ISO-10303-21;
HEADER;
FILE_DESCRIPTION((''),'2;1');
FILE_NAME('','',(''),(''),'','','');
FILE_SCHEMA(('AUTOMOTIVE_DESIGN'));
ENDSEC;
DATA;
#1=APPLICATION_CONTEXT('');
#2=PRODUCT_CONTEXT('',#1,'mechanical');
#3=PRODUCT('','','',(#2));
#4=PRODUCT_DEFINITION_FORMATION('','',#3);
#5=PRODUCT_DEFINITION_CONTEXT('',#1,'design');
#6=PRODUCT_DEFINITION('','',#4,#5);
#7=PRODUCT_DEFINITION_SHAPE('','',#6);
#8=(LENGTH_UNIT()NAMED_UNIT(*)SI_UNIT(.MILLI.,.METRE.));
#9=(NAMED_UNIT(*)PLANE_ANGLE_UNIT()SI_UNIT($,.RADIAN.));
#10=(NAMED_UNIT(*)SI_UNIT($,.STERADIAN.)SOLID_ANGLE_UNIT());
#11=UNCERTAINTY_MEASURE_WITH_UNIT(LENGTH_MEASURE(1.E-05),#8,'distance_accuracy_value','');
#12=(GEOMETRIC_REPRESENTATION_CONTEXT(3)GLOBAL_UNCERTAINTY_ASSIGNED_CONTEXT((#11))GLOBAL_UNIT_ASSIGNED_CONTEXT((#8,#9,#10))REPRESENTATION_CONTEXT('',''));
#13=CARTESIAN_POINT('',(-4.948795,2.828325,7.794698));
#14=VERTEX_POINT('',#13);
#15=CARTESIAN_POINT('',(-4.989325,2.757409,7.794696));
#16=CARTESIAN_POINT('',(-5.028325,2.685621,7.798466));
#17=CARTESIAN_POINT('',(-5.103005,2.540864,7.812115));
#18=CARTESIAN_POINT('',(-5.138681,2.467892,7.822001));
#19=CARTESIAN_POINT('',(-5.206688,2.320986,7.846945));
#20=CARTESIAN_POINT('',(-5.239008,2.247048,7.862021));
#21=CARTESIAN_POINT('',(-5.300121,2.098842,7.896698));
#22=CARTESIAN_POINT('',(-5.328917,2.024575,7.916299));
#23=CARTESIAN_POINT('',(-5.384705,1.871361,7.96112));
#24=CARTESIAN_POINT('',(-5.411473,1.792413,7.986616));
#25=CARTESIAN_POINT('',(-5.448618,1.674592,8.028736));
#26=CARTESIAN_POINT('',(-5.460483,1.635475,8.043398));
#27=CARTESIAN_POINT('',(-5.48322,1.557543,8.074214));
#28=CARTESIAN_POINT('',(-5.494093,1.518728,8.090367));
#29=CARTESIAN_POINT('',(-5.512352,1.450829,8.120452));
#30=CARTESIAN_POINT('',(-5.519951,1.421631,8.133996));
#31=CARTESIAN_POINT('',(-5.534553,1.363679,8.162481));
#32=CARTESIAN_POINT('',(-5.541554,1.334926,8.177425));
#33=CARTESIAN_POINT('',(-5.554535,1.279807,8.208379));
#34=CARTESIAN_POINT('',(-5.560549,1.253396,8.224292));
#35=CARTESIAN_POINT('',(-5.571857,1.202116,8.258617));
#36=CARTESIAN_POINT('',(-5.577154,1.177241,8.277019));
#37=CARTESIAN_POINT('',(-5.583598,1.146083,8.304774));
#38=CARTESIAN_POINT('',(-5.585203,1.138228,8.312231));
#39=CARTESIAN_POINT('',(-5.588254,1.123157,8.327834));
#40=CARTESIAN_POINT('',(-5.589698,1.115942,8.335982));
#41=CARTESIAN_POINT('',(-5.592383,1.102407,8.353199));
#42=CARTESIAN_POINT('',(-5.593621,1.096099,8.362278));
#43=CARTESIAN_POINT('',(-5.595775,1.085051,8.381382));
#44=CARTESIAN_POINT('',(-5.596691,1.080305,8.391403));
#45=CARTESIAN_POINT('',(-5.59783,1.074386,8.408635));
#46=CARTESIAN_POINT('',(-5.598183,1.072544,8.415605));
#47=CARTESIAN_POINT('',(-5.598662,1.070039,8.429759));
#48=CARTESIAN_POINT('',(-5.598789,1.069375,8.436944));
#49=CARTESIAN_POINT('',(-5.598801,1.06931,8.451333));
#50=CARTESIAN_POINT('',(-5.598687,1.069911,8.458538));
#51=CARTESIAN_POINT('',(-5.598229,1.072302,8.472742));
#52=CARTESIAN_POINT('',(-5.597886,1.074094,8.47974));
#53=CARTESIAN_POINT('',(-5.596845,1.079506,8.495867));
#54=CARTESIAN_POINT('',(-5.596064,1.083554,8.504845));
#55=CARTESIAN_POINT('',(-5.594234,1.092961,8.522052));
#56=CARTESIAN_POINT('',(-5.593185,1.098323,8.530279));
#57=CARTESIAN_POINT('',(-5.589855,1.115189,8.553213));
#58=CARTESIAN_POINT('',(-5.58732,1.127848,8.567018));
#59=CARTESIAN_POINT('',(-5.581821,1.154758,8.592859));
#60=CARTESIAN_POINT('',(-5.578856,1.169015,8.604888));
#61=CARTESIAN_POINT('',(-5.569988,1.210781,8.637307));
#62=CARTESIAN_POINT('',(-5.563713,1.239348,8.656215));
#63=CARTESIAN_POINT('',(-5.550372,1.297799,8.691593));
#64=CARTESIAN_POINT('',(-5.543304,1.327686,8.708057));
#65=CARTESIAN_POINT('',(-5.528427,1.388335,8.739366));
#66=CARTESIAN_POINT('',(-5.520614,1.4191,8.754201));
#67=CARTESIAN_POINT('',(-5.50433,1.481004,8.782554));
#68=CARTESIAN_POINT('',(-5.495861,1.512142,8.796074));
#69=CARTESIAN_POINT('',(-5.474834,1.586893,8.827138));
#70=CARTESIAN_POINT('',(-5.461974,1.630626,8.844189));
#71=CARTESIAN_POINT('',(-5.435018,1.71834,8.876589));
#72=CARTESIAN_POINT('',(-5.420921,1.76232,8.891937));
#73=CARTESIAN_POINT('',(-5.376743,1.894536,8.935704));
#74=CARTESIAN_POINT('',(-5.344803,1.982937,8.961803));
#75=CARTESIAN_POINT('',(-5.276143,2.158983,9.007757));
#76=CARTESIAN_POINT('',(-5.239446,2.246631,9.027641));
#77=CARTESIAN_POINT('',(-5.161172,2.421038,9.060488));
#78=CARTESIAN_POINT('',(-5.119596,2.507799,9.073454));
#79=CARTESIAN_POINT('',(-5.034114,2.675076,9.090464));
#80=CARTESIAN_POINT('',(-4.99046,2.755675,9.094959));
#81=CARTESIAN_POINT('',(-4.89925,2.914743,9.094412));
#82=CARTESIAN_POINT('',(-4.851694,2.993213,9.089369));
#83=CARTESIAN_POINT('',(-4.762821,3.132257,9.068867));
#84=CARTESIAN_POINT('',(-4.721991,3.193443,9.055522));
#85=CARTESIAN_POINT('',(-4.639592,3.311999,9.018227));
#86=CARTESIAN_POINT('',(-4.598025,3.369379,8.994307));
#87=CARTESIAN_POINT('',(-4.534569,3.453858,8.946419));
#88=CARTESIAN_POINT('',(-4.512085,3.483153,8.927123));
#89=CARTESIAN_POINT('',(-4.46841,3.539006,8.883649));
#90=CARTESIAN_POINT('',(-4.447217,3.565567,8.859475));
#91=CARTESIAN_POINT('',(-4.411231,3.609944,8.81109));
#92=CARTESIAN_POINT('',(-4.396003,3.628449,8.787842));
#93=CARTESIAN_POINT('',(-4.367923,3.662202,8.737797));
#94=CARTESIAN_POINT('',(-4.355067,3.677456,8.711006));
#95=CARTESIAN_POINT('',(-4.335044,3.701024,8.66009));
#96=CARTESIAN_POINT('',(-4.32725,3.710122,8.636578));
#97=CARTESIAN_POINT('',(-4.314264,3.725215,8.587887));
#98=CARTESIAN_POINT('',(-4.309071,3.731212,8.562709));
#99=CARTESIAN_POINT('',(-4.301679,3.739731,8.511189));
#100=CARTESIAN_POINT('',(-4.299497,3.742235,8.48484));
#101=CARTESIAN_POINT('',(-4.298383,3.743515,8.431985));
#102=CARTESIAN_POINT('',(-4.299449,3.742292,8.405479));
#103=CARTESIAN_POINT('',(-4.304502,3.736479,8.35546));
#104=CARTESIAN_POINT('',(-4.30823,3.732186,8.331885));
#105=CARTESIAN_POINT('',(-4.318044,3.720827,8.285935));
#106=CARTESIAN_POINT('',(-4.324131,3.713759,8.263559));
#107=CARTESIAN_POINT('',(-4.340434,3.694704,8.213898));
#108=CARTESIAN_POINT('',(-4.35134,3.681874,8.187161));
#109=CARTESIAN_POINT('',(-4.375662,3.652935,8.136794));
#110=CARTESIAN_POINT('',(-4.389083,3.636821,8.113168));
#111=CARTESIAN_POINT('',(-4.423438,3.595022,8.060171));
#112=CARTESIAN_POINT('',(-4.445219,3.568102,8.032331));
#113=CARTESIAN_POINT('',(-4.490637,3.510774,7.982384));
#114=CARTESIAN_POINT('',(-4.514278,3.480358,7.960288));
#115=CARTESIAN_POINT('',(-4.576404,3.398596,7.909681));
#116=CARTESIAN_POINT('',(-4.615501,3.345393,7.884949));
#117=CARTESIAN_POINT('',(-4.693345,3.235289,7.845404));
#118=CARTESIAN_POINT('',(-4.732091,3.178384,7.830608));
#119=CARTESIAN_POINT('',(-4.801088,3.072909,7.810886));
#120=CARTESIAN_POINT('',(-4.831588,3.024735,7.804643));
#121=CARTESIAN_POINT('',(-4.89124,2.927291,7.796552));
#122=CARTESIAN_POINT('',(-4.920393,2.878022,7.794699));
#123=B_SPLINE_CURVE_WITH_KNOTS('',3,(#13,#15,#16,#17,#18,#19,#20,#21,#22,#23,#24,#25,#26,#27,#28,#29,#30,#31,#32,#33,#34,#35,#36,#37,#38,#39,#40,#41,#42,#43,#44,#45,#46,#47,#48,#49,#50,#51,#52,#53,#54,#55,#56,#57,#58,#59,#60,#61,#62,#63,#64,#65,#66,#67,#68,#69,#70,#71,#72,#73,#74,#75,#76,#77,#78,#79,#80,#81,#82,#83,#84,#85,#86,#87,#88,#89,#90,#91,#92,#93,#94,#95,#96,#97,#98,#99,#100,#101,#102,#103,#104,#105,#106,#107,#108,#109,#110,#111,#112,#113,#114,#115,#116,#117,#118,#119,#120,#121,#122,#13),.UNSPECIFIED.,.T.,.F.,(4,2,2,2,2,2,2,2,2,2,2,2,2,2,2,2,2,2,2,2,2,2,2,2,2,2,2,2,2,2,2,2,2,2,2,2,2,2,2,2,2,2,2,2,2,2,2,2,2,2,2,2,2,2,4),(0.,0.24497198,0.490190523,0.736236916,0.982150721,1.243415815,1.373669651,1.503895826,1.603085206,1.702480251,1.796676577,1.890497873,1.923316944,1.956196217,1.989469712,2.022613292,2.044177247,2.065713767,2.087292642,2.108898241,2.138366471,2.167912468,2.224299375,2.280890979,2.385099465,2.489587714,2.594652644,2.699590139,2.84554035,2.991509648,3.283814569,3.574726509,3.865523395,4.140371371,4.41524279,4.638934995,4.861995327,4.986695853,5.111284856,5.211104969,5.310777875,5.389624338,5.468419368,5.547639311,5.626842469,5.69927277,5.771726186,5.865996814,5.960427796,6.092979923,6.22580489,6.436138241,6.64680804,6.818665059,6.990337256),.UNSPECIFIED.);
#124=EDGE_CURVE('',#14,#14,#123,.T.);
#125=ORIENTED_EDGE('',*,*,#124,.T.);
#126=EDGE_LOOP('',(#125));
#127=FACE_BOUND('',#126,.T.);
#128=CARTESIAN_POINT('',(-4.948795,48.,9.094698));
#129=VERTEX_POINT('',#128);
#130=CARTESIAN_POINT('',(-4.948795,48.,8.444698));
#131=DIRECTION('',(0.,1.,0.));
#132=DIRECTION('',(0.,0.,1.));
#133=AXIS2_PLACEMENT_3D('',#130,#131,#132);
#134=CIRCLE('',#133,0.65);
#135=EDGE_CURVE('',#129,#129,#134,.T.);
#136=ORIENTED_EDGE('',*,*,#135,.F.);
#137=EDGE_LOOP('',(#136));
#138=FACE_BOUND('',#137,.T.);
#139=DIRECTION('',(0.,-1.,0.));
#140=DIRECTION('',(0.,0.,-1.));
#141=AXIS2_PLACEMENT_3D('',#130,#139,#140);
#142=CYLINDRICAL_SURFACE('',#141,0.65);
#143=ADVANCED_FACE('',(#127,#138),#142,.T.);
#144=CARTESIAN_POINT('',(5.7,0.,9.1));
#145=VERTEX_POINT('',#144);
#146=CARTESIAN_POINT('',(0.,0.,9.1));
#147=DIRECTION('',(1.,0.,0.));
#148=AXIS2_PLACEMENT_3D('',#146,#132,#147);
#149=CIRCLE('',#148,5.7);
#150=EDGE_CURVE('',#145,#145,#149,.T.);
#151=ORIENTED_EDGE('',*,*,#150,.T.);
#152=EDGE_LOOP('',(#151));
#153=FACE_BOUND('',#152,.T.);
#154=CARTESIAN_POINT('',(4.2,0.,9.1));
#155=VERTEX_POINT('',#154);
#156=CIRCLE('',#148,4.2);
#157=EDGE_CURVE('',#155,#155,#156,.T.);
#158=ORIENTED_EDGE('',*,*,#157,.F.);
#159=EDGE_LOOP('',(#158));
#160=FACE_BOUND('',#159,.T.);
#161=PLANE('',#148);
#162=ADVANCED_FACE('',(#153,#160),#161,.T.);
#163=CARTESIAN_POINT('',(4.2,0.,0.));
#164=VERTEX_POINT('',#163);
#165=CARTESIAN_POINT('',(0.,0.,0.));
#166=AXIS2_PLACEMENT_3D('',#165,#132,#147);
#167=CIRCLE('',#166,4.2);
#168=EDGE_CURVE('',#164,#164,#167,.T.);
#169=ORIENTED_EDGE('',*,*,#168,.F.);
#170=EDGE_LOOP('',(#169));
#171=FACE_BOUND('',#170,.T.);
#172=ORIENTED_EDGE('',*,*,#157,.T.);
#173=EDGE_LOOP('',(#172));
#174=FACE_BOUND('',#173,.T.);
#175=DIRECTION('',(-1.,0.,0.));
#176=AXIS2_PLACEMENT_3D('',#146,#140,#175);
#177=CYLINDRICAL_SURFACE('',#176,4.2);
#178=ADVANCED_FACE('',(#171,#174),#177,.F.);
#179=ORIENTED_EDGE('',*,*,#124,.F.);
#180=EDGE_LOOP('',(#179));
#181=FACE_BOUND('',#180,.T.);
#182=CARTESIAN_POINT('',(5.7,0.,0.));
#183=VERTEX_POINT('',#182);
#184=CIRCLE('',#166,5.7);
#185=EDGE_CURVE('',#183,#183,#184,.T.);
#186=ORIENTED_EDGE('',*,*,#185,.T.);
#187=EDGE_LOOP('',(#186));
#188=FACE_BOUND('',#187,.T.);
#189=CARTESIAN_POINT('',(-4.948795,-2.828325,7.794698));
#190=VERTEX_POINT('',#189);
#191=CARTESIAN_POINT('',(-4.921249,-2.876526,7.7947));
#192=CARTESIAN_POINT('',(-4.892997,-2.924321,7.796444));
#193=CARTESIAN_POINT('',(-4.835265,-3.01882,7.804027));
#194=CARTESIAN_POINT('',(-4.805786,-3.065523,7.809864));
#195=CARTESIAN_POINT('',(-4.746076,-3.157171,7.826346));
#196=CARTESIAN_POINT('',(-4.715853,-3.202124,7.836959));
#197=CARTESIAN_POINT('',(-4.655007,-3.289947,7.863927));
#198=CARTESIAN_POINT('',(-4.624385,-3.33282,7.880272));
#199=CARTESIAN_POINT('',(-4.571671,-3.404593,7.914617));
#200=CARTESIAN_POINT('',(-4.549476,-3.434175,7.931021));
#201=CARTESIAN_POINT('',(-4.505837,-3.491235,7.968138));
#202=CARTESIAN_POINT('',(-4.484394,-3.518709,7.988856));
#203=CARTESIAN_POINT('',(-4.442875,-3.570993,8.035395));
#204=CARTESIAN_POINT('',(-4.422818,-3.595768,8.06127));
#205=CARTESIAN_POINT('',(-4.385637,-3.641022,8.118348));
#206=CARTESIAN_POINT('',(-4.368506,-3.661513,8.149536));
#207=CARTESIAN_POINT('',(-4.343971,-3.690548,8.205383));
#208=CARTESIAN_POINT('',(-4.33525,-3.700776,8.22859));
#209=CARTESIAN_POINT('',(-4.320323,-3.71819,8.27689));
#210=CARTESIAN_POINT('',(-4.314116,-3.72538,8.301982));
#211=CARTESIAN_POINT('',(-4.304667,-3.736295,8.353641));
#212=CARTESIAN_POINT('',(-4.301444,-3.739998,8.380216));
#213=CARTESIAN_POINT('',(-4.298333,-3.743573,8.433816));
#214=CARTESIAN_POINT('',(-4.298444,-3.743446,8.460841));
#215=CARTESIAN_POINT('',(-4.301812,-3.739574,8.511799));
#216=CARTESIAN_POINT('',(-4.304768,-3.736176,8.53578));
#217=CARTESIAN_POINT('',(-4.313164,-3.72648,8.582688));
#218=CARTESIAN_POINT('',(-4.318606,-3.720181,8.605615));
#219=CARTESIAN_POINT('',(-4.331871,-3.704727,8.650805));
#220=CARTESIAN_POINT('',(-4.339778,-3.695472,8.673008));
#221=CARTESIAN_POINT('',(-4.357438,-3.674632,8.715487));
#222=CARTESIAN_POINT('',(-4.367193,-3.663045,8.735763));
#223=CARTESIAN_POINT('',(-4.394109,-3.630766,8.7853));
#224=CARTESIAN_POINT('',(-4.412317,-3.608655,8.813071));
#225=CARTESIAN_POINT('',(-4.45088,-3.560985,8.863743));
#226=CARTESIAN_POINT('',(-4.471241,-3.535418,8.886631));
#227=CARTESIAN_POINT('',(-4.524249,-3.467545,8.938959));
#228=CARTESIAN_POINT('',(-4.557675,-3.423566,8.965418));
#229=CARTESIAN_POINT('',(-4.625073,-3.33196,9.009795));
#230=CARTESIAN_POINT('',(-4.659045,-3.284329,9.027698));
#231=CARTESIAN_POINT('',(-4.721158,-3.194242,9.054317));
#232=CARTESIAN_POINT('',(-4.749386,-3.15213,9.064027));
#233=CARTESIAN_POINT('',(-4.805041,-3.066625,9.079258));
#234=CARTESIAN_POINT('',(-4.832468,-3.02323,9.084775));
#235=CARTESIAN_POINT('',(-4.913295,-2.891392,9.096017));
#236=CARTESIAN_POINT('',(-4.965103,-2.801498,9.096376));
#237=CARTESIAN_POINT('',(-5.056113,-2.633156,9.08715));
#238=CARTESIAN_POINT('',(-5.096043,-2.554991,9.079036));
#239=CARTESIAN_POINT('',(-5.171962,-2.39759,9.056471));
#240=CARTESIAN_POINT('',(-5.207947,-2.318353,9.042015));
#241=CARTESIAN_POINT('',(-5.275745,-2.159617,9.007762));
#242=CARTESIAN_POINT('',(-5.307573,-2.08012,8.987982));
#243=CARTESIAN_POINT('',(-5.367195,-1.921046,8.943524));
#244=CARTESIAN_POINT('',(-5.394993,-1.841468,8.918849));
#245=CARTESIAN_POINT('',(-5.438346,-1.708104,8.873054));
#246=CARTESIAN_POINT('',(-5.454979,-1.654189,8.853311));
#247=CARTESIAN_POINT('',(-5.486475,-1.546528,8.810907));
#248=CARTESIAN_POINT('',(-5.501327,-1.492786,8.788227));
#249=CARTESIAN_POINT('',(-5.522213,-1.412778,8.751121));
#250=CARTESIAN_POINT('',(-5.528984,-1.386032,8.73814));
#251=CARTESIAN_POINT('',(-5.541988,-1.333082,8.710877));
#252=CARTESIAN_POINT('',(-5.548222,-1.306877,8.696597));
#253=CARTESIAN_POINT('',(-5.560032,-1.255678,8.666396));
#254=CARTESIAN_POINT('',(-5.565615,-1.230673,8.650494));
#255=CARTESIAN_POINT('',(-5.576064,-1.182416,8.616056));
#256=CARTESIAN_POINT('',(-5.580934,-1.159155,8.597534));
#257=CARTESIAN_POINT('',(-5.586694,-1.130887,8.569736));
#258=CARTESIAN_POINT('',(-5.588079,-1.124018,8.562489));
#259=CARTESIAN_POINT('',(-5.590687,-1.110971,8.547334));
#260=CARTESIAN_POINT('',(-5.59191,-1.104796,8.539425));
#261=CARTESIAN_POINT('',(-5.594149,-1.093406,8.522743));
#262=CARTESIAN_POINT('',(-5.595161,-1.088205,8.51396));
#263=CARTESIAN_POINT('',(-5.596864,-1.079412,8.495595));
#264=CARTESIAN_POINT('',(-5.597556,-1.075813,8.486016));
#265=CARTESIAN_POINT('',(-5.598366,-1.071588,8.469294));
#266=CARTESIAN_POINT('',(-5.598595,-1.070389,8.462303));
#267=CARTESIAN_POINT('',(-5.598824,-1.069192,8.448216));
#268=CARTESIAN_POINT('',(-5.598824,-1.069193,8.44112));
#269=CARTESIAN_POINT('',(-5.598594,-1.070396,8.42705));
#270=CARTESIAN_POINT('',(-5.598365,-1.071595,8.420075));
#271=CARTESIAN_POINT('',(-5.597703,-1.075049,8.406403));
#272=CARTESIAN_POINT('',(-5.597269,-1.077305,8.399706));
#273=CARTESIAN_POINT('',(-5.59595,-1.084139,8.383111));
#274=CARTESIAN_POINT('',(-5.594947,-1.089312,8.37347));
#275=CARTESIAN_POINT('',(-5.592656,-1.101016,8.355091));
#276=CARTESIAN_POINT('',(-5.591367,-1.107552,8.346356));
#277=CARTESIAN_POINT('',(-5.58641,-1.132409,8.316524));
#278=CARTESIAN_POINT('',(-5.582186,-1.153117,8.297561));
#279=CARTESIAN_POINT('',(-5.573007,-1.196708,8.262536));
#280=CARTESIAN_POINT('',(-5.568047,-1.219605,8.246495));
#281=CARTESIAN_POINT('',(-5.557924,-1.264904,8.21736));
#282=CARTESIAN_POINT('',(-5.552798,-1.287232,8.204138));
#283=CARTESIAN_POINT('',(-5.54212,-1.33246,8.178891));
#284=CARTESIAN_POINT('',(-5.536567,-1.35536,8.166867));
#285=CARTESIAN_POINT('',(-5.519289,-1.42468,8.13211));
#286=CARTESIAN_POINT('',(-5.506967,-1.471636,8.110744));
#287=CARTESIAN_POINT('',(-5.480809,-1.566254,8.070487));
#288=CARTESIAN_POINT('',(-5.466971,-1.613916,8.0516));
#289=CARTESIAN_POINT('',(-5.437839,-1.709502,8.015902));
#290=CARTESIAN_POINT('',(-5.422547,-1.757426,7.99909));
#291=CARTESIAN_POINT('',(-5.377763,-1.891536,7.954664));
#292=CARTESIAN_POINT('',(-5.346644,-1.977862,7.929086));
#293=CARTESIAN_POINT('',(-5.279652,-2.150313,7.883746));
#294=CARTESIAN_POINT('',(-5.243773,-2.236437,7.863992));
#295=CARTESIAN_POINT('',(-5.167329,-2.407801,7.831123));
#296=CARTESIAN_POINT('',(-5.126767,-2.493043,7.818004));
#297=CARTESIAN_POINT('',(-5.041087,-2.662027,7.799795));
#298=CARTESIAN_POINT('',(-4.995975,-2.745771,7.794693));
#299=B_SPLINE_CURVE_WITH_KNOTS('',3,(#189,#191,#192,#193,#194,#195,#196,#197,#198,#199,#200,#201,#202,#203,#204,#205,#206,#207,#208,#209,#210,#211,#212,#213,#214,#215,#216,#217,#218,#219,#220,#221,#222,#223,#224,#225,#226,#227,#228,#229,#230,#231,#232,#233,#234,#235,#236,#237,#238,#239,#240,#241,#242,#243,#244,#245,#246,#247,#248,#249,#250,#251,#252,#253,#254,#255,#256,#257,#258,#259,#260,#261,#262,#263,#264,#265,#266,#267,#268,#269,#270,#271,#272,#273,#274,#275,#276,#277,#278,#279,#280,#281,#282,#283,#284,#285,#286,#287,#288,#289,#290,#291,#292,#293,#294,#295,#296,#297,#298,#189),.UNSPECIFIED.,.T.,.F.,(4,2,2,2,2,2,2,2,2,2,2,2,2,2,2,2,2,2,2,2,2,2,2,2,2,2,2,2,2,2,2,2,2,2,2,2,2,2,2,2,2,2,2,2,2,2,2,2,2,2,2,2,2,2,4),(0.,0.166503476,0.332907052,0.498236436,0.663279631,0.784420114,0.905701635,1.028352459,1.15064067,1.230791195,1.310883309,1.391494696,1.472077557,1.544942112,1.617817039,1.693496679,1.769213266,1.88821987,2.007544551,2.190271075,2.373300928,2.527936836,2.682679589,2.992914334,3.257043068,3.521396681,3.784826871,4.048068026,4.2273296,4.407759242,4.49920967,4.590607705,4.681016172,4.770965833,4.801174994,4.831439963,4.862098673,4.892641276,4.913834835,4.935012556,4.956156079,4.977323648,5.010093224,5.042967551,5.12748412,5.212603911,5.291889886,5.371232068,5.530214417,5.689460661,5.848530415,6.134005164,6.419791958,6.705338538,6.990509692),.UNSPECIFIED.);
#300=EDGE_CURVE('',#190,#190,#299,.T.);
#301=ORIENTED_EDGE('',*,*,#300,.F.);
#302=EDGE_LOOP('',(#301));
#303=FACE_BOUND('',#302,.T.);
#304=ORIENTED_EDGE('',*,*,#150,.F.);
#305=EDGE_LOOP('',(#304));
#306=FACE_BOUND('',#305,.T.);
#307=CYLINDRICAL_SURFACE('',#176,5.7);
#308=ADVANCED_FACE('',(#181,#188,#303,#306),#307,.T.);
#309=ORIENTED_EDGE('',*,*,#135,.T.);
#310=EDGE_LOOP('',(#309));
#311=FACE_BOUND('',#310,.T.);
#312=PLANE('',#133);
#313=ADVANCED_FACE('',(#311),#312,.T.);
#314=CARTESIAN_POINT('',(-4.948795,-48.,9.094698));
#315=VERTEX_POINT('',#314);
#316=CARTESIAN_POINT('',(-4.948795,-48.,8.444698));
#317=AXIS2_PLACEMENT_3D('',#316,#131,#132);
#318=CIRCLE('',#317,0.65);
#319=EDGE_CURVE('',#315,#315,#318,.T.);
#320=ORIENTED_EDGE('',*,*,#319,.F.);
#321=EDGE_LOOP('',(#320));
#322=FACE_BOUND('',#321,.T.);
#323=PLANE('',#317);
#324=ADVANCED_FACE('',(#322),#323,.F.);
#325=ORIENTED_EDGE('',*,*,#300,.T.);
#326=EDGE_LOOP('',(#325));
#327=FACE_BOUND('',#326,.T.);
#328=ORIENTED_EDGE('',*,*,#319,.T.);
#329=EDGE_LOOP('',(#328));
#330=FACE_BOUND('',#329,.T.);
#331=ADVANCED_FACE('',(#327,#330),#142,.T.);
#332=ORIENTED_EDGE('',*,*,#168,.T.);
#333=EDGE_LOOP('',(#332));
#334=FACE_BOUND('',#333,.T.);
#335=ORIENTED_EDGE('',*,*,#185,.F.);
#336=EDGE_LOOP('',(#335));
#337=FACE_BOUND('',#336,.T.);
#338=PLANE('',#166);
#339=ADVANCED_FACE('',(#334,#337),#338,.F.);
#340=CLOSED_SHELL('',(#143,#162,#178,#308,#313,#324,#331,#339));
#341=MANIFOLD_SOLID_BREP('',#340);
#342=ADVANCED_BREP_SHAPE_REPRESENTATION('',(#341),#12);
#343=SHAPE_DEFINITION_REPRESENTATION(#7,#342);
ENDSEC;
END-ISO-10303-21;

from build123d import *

# Parameters (mm, degrees)
SKETCH1_R           = 5.7
SKETCH1_R_2         = 4.2
BOSS_EXTRUDE1_DEPTH = 9.1
SKETCH2_R           = 0.65
BOSS_EXTRUDE2_DEPTH = 48


with BuildPart() as part:
    # Sketch1 → Boss-Extrude1 (new body)
    with BuildSketch(Plane.XY):
        Circle(SKETCH1_R)
        Circle(SKETCH1_R_2, mode=Mode.SUBTRACT)
    extrude(amount=BOSS_EXTRUDE1_DEPTH)

    # Sketch2 → Boss-Extrude2 (add, symmetric)
    with BuildSketch(Plane(origin=(0, 0, 0), x_dir=(1, 0, 0), z_dir=(0, 1, 0))):
        with Locations(Location((-4.94879538, -8.44469772, 0), (0, 0, 90))):
            Circle(SKETCH2_R)
    extrude(amount=BOSS_EXTRUDE2_DEPTH, both=True)


solid = part.part
